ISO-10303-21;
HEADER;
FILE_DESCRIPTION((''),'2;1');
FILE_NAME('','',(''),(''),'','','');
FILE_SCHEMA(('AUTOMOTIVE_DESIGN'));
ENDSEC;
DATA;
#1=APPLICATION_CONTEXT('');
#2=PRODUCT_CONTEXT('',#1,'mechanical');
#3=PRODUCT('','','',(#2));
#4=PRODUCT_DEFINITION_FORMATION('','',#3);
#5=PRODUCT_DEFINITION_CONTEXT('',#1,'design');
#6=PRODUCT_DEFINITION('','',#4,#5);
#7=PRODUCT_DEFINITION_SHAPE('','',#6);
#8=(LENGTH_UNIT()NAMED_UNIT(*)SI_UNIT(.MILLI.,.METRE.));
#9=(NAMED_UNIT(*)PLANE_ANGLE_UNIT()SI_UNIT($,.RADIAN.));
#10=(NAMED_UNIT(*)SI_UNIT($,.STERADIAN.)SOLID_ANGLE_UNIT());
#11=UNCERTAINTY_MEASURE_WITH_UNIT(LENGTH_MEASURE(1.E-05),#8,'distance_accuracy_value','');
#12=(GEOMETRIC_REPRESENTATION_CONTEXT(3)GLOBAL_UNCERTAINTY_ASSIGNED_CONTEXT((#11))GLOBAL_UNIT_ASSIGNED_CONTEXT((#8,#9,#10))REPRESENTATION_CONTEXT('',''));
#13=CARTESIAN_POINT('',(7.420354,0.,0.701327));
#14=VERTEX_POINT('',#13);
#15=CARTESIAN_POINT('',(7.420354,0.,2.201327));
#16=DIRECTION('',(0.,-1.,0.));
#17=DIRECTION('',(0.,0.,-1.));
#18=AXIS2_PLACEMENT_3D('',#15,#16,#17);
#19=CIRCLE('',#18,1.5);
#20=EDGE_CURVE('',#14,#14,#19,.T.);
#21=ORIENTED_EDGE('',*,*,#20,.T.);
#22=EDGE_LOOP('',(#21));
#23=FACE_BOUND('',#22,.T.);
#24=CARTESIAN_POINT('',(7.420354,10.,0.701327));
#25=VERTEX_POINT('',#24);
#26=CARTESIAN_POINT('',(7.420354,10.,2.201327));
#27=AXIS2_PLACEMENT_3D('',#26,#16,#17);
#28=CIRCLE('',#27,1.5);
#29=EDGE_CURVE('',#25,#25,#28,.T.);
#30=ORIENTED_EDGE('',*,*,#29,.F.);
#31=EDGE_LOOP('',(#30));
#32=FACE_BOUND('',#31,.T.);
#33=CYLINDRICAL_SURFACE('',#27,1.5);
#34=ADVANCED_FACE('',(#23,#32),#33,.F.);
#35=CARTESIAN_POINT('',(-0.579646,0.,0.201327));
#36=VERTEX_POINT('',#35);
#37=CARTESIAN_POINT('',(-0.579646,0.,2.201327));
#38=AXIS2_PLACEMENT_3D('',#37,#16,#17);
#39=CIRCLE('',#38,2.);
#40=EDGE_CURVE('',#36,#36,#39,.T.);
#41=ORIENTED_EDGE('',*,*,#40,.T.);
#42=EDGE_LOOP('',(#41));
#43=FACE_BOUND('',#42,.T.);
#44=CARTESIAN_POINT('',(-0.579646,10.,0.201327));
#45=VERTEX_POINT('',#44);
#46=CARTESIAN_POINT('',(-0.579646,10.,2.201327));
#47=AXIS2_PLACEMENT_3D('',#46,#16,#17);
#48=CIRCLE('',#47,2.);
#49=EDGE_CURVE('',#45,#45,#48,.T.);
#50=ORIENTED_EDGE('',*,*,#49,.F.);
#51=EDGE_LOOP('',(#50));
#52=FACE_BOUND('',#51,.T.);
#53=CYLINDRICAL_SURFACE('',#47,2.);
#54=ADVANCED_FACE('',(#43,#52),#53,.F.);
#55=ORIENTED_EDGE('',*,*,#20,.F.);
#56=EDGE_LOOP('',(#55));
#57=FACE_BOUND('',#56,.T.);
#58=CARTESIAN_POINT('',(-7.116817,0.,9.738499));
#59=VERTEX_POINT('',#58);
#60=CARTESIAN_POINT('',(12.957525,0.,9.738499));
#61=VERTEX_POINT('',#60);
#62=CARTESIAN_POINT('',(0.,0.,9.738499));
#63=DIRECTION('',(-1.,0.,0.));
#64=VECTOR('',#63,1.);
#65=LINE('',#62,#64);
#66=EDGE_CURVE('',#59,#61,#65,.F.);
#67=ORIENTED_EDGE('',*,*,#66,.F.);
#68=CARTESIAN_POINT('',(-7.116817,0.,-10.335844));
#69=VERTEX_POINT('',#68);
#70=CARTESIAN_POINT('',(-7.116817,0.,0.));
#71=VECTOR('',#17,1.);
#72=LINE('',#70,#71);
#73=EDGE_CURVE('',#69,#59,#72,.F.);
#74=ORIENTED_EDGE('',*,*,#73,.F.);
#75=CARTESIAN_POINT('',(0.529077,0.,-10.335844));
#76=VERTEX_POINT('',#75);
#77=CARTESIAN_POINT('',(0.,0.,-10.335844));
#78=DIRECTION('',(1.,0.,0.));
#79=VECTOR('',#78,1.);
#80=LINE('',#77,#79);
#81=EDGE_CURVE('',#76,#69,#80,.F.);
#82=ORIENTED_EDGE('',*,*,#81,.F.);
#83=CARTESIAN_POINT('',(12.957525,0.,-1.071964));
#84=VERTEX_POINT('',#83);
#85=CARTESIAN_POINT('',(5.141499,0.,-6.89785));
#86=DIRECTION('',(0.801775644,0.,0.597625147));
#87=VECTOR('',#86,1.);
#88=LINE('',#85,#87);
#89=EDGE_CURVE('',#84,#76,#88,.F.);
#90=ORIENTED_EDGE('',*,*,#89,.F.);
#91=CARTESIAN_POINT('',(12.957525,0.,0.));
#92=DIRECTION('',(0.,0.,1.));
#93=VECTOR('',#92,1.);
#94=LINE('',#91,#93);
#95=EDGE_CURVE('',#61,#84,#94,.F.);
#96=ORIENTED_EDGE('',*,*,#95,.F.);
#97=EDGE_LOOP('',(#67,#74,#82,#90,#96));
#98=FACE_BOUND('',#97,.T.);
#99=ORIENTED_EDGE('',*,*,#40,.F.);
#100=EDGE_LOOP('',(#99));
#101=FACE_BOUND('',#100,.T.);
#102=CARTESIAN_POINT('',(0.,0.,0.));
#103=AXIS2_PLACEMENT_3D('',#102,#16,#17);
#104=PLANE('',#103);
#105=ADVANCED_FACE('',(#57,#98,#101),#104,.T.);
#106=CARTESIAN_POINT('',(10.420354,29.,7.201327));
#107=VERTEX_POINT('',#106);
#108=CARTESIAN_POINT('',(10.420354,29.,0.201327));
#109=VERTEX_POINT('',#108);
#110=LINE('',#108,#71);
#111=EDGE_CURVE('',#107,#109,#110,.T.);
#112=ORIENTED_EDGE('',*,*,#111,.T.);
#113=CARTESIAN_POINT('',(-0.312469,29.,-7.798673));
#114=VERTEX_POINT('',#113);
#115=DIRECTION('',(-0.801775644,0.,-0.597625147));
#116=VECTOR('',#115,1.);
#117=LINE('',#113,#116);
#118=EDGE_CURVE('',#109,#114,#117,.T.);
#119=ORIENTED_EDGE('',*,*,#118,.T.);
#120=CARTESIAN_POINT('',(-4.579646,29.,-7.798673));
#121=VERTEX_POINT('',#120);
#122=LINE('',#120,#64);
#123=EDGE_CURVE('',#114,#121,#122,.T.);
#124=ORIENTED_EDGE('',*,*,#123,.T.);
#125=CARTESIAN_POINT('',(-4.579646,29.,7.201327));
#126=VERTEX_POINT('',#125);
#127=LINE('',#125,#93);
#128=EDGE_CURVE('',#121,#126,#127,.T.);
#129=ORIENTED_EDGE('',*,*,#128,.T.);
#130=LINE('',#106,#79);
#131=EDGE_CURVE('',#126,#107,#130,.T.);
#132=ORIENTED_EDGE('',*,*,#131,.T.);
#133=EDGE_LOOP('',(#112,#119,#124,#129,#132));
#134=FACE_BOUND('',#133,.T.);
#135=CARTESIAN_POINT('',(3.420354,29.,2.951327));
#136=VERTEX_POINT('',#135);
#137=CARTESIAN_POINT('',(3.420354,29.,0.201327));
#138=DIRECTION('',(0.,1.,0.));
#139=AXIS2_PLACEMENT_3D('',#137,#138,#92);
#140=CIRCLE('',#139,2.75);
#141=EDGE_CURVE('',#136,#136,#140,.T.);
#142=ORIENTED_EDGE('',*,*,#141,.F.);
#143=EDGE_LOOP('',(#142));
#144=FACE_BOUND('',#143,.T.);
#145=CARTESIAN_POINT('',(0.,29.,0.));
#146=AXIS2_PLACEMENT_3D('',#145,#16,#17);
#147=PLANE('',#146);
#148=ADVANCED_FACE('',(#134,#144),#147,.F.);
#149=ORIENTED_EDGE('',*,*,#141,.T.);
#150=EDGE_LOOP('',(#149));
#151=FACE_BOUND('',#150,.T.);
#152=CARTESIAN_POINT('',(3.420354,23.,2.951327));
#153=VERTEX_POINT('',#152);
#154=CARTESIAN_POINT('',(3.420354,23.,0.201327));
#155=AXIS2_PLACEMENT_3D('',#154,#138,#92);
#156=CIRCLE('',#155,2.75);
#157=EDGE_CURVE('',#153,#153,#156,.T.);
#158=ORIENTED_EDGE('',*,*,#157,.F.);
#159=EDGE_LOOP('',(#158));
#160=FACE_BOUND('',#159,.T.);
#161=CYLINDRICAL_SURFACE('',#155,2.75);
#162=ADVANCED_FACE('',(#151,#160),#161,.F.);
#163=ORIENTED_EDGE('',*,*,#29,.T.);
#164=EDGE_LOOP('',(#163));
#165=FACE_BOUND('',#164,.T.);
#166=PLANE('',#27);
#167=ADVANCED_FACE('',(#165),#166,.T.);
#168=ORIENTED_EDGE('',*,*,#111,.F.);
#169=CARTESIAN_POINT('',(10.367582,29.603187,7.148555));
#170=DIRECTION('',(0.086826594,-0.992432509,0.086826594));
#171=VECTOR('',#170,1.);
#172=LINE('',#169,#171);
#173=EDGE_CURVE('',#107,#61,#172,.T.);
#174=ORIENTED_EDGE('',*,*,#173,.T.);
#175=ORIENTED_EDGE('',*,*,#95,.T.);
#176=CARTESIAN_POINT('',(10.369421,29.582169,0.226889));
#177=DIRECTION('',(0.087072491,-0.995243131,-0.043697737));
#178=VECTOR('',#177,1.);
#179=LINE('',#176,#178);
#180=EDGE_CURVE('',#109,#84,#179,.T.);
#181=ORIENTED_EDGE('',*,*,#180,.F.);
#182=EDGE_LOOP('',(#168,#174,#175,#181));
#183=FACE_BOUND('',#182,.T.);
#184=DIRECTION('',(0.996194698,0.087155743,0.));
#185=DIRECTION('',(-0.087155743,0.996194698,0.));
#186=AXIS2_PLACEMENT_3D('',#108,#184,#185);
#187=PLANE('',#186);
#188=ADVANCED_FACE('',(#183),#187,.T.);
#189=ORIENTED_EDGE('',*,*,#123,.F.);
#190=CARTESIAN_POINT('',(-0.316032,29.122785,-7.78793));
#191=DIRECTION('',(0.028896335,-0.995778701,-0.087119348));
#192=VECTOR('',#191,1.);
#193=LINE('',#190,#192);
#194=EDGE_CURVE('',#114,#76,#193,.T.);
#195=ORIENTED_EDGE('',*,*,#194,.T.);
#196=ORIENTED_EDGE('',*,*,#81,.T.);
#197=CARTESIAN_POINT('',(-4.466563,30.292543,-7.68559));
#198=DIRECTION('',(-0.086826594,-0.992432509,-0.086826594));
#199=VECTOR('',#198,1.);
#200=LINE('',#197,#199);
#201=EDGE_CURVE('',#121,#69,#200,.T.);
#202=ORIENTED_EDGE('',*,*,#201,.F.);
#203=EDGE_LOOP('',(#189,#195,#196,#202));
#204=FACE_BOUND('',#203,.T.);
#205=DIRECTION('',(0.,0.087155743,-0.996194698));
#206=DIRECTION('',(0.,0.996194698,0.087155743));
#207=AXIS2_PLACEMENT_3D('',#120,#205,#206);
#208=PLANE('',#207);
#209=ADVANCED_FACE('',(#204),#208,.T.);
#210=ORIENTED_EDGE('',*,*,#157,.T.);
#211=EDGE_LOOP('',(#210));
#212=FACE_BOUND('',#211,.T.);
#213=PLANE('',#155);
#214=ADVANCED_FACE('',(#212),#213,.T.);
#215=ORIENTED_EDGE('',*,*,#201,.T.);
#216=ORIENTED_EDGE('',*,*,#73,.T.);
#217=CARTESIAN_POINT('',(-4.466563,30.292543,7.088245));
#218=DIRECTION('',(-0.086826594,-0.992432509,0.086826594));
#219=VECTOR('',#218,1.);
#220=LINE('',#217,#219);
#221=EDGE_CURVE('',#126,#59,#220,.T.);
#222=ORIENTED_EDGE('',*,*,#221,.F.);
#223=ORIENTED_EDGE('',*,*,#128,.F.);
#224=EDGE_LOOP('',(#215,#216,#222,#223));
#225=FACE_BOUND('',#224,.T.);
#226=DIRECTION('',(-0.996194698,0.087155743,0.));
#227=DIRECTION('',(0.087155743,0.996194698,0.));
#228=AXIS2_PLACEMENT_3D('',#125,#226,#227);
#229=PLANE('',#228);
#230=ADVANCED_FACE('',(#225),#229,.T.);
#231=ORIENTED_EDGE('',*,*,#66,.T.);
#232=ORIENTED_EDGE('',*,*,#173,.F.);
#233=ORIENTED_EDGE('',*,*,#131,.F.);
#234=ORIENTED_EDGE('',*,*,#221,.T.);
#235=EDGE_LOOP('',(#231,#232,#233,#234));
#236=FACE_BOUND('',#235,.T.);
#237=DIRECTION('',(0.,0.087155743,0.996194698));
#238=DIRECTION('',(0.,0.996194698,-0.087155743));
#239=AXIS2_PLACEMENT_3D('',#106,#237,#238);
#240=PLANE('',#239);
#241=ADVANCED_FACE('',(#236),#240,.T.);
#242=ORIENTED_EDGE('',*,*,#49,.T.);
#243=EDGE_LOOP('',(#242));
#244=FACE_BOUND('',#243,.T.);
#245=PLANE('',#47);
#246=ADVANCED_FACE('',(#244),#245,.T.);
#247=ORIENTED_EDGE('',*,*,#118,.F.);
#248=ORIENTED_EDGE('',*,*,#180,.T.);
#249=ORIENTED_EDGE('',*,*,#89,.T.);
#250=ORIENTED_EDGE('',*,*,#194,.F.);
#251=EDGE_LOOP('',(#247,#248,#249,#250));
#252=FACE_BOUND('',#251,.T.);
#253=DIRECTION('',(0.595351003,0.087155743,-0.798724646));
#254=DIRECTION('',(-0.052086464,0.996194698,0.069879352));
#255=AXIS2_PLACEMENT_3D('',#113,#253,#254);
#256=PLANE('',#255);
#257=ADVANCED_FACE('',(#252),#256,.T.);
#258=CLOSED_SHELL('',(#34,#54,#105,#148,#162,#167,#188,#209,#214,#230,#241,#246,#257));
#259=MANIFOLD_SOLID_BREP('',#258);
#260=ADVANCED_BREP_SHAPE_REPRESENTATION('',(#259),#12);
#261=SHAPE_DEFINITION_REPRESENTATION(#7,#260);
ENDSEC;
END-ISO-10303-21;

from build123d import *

# Parameters (mm, degrees)
BOSS_EXTRUDE1_DEPTH = 29
SKETCH2_R           = 2
SKETCH2_R_2         = 1.5
CUT_EXTRUDE1_DEPTH  = 10
SKETCH3_R           = 2.75
CUT_EXTRUDE2_DEPTH  = 6
DRAFT1_ANGLE        = 5


with BuildPart() as part:
    # Sketch1 → Boss-Extrude1 (new body)
    with BuildSketch(Plane(origin=(0, 0, 0), x_dir=(1, 0, 0), z_dir=(0, 1, 0))):
        Polygon((10.420353982, -7.201327434), (-4.579646018, -7.201327434), (-4.579646018, 7.798672566), (-0.312469404, 7.798672566), (10.420353982, -0.201327434), align=None)
    extrude(amount=BOSS_EXTRUDE1_DEPTH)

    # Sketch2 → Cut-Extrude1 (cut)
    with BuildSketch(Plane.XZ):
        with Locations(Location((-0.579646018, 2.201327434, 0), (0, 0, 270))):
            Circle(SKETCH2_R)
        with Locations(Location((7.420353982, 2.201327434, 0), (0, 0, 270))):
            Circle(SKETCH2_R_2)
    extrude(amount=-CUT_EXTRUDE1_DEPTH, mode=Mode.SUBTRACT)

    # Sketch3 → Cut-Extrude2 (cut)
    with BuildSketch(Plane(origin=(0, 29, 0), x_dir=(1, 0, 0), z_dir=(0, 1, 0))):
        with Locations(Location((3.420353982, -0.201327434, 0), (0, 0, 270))):
            Circle(SKETCH3_R)
    extrude(amount=-CUT_EXTRUDE2_DEPTH, mode=Mode.SUBTRACT)

    # Draft1
    draft1_faces = [part.faces().sort_by_distance(p)[0] for p in [
        (5.053942289, 14.5, -3.798672566),
        (-2.446057711, 14.5, -7.798672566),
        (-4.579646018, 14.5, -0.298672566),
        (10.420353982, 14.5, 3.701327434),
        (2.920353982, 14.5, 7.201327434),
    ]]
    draft(draft1_faces, Plane.ZX.offset(29), DRAFT1_ANGLE)


solid = part.part
